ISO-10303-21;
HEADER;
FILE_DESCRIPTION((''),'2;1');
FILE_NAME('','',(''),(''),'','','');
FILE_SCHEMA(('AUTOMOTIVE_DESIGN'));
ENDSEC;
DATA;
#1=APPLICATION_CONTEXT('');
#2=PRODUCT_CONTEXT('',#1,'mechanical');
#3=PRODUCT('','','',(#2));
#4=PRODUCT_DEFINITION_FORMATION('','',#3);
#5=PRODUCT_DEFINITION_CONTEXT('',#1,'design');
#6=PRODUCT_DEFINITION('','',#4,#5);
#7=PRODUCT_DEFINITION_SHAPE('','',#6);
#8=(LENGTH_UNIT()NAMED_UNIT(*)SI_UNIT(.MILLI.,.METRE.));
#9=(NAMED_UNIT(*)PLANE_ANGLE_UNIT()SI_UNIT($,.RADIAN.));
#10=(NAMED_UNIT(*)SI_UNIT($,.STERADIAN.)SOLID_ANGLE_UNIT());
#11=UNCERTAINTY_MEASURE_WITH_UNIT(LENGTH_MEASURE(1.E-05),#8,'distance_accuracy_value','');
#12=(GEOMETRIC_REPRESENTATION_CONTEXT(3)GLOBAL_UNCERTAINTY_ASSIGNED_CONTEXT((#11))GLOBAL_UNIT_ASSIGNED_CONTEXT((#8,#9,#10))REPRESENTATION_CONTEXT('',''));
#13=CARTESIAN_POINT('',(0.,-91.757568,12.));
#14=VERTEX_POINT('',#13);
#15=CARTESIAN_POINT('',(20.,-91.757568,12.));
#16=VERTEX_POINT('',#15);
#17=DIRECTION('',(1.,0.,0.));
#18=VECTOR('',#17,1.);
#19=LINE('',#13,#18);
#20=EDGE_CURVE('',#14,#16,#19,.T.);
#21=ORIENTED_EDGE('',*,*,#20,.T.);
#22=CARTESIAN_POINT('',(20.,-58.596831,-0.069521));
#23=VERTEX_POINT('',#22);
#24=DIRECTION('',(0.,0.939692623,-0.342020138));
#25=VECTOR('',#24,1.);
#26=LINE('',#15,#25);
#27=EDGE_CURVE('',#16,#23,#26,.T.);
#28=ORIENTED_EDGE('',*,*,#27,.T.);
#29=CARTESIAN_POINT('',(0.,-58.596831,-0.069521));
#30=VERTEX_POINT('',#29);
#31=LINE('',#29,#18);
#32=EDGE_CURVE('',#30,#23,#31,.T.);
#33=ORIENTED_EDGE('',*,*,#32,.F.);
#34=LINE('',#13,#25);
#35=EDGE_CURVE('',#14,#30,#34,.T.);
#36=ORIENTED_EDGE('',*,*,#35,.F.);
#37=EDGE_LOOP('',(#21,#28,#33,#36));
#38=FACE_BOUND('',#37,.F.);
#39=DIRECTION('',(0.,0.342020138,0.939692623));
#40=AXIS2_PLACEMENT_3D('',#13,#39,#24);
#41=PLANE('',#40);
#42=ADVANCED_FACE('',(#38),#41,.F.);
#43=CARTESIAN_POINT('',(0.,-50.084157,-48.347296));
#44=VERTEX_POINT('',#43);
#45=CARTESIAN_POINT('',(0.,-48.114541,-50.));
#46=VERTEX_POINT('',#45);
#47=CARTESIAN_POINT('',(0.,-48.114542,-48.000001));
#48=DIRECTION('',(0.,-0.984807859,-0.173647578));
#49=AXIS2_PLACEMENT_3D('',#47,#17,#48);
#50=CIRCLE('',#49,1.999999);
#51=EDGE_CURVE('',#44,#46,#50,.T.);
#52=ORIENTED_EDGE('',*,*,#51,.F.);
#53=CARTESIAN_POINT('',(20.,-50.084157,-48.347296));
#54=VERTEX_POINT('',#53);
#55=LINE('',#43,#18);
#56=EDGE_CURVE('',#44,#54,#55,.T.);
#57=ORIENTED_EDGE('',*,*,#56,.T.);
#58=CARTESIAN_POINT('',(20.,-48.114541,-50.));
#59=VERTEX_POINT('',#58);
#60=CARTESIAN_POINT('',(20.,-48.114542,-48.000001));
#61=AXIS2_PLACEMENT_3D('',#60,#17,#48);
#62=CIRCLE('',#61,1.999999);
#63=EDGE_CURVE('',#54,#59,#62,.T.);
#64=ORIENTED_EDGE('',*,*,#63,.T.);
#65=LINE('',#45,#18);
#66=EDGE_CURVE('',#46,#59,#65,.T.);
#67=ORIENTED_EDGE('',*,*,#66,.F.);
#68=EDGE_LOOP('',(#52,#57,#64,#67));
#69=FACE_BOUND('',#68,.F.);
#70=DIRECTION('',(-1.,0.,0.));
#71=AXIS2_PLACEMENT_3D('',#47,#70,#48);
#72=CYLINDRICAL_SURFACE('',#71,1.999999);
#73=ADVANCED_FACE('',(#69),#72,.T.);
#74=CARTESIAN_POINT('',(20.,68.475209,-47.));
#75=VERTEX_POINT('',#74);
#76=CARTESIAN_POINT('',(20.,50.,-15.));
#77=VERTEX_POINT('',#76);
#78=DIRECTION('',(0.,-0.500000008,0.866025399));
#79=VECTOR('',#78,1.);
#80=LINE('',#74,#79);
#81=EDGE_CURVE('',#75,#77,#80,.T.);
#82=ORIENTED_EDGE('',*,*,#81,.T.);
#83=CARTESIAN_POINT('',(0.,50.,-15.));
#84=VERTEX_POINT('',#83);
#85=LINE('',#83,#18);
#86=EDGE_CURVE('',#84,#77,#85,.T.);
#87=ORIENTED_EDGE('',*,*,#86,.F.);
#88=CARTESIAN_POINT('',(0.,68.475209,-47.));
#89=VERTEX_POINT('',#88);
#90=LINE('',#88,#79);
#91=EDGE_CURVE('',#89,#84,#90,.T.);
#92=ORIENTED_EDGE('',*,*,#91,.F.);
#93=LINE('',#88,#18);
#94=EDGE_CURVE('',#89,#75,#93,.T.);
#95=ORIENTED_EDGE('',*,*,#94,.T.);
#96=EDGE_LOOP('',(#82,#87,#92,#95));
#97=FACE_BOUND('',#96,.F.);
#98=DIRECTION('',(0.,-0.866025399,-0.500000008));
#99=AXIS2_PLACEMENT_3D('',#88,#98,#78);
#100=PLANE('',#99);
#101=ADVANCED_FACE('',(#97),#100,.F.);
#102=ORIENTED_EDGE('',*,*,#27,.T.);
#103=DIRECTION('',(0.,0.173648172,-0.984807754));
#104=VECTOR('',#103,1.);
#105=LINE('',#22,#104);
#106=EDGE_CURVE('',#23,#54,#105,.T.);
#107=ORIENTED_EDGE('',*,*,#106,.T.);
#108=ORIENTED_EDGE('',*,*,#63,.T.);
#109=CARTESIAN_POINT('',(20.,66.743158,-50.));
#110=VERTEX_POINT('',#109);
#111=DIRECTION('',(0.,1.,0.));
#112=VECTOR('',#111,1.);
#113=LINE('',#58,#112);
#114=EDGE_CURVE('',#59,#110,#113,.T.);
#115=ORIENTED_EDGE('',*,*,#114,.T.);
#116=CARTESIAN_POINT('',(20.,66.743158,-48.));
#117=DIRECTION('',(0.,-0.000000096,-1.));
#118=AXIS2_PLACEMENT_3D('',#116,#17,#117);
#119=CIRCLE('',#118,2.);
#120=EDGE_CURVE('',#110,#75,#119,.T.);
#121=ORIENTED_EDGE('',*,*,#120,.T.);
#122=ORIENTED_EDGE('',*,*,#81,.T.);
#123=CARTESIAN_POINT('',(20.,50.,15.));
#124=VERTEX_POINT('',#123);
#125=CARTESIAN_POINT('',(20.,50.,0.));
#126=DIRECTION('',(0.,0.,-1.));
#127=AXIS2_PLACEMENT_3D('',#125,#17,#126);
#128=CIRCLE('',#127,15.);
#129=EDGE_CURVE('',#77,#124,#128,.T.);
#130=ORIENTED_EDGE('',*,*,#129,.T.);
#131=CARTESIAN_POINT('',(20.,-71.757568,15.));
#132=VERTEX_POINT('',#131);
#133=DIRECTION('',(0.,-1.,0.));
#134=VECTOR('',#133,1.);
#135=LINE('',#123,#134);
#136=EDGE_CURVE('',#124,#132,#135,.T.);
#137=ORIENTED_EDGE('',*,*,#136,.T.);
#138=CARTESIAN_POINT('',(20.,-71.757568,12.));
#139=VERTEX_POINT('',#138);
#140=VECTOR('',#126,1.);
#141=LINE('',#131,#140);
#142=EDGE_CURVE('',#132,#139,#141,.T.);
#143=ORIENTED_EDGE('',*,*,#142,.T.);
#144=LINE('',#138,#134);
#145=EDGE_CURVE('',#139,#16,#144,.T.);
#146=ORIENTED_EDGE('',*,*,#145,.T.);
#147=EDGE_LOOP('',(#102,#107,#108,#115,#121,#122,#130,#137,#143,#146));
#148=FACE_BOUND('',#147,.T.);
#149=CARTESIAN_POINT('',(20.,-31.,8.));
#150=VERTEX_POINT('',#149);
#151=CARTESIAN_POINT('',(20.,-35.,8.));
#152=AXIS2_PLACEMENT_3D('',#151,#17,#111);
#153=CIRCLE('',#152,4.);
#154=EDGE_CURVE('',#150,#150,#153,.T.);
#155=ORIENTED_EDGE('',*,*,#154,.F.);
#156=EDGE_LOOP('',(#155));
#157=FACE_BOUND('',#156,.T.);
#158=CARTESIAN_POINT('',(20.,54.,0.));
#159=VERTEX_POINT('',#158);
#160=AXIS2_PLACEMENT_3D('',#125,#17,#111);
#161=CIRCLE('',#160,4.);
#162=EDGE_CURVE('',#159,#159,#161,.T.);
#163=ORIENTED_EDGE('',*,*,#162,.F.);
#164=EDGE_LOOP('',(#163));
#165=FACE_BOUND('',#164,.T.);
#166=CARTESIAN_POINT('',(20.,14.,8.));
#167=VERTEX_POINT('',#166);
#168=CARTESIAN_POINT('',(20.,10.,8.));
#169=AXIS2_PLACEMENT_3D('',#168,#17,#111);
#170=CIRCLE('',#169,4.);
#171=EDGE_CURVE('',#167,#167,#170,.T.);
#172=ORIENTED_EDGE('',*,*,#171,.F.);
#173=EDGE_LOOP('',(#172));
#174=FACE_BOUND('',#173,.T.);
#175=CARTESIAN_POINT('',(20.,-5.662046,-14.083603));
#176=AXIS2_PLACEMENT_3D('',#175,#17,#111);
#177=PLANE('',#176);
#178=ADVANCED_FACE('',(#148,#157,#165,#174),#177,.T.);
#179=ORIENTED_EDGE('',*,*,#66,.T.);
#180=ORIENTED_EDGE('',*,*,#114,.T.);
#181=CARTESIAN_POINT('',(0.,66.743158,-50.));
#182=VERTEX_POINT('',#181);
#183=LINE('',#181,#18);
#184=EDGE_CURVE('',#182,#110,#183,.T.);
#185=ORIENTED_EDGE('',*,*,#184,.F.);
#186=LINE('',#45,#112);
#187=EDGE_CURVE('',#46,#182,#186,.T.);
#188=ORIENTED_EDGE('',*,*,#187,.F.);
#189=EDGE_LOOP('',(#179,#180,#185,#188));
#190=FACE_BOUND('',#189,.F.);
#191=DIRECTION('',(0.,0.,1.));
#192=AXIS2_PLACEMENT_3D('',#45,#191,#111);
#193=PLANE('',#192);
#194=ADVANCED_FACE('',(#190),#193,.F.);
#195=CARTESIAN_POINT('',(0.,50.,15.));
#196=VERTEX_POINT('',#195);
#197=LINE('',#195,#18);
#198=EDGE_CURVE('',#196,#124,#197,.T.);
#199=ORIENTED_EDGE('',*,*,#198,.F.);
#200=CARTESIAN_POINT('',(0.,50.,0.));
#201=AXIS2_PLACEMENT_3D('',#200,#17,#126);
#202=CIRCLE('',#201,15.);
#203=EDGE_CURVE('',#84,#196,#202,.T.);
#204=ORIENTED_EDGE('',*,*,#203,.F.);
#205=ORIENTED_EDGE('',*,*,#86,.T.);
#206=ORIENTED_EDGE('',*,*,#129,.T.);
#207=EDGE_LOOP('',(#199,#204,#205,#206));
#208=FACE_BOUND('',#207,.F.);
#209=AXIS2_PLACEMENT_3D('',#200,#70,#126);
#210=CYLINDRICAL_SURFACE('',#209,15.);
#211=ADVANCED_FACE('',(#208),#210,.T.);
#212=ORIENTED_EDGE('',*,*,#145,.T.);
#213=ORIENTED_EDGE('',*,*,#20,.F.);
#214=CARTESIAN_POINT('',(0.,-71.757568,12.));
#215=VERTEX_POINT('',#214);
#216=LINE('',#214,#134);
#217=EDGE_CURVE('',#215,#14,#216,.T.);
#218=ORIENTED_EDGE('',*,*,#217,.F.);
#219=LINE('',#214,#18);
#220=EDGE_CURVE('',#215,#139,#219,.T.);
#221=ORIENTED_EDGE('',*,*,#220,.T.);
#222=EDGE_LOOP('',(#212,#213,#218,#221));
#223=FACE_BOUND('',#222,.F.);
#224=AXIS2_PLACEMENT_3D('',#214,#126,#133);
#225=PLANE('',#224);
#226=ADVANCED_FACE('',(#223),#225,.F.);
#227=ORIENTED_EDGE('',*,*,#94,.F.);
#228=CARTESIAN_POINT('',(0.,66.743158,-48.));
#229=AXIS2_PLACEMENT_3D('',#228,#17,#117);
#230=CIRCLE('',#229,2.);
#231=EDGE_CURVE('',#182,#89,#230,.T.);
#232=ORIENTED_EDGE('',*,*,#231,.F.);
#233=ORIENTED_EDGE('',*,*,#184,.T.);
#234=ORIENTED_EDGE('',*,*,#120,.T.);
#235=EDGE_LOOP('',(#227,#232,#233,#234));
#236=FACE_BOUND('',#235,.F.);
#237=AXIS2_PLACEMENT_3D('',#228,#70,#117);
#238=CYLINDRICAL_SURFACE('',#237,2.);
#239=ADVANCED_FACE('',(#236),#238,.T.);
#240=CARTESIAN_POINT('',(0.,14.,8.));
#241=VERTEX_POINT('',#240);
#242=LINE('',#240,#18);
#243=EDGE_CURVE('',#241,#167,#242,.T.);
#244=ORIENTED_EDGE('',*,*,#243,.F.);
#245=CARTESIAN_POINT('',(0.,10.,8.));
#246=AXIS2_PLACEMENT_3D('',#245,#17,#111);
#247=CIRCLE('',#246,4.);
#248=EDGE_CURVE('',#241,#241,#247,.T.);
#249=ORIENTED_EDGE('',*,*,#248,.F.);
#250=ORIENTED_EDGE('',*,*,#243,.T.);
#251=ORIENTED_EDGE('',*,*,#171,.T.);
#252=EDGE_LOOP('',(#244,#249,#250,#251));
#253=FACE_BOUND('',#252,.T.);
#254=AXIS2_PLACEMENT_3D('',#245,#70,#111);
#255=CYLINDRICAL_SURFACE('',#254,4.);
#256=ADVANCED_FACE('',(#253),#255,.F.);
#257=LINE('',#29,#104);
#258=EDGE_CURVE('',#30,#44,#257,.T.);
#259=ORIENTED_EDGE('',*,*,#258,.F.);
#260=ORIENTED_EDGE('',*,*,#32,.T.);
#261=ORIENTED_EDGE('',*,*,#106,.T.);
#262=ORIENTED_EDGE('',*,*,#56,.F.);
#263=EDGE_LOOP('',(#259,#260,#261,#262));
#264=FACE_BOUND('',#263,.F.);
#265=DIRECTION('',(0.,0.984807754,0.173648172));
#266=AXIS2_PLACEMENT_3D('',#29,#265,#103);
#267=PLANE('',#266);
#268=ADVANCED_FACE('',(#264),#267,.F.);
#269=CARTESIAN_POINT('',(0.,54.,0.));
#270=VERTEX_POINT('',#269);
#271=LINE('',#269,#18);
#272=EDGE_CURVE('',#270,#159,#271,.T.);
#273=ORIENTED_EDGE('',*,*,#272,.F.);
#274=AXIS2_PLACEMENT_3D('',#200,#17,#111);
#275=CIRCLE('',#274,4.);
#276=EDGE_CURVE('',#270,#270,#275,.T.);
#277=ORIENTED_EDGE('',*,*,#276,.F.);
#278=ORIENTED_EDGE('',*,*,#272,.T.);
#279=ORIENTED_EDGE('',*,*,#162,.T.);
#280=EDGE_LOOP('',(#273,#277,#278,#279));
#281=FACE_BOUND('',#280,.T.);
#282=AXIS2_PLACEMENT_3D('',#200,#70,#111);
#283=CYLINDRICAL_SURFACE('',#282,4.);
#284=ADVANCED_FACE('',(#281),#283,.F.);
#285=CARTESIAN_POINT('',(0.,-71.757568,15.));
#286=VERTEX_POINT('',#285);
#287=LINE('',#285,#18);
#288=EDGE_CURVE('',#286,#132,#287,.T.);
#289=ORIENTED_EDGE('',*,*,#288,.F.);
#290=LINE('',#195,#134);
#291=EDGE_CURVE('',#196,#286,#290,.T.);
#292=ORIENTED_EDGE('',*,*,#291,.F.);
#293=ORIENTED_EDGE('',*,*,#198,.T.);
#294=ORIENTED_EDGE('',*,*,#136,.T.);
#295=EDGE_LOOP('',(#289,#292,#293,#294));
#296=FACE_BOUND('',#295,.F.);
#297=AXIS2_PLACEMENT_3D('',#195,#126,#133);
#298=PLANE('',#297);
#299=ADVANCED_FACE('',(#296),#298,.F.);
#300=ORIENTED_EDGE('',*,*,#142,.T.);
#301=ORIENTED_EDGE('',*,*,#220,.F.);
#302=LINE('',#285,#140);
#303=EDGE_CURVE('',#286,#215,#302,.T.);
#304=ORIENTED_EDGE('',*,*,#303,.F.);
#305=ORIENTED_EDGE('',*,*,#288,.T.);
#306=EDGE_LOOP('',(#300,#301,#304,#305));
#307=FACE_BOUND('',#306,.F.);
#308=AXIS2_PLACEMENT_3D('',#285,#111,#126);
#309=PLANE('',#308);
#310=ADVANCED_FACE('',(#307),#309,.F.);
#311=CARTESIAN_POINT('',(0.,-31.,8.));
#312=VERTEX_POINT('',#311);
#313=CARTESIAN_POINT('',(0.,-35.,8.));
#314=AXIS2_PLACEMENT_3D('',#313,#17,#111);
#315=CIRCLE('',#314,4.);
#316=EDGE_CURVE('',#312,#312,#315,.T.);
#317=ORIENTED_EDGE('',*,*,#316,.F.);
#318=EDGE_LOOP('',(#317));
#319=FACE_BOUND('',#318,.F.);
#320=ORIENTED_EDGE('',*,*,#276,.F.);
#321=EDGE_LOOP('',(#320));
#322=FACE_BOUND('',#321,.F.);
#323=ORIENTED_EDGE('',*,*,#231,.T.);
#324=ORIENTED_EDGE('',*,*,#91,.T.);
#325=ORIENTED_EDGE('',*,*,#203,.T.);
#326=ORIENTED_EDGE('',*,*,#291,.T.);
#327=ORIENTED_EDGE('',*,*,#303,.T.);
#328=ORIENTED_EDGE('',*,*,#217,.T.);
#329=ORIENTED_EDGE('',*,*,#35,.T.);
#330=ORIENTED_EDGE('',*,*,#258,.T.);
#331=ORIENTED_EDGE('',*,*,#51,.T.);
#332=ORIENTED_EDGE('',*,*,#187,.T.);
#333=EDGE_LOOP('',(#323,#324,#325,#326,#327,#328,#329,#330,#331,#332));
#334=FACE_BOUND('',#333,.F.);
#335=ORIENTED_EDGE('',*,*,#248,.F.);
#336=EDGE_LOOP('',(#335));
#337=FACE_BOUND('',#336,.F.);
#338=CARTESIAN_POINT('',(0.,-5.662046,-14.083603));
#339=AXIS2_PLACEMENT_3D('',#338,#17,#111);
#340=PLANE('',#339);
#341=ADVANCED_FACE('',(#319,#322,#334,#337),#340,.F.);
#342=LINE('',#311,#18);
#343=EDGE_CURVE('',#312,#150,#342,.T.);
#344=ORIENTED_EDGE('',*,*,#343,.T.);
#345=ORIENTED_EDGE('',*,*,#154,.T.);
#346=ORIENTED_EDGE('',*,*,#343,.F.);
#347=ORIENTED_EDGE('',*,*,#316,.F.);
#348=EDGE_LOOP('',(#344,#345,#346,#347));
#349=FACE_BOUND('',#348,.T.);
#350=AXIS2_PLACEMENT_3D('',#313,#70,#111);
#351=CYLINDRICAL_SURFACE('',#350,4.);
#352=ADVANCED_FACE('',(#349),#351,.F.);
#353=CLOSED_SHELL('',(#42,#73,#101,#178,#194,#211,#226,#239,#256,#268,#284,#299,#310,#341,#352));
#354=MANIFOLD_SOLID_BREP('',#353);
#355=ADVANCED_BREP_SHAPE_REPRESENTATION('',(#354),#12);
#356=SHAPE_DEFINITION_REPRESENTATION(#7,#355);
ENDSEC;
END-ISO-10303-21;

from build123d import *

# Parameters (mm, degrees)
F0_R     = 4
F1_DEPTH = 20


with BuildPart() as f1:
    # F0 (on Right) → F1 (new body)
    with BuildSketch(Plane.YZ):
        with BuildLine():
            Line((50, 15), (-71.757568, 15))
            Line((-71.757568, 15), (-71.757568, 12))
            Line((-71.757568, 12), (-91.757568, 12))
            Line((-91.757568, 12), (-58.596831, -0.069521))
            Line((-58.596831, -0.069521), (-50.084157, -48.347296))
            ThreePointArc((-50.084157, -48.347296), (-49.400117, -49.532089), (-48.114541, -50))
            Line((-48.114541, -50), (66.743158, -50))
            ThreePointArc((66.743158, -50), (68.475209, -49), (68.475209, -47))
            Line((68.475209, -47), (50, -15))
            ThreePointArc((50, -15), (65, 0), (50, 15))
        make_face()
        with Locations((-35, 8)):
            Circle(F0_R, mode=Mode.SUBTRACT)
        with Locations((10, 8)):
            Circle(F0_R, mode=Mode.SUBTRACT)
        with Locations((50, 0)):
            Circle(F0_R, mode=Mode.SUBTRACT)
    extrude(amount=F1_DEPTH)


solid = f1.part
